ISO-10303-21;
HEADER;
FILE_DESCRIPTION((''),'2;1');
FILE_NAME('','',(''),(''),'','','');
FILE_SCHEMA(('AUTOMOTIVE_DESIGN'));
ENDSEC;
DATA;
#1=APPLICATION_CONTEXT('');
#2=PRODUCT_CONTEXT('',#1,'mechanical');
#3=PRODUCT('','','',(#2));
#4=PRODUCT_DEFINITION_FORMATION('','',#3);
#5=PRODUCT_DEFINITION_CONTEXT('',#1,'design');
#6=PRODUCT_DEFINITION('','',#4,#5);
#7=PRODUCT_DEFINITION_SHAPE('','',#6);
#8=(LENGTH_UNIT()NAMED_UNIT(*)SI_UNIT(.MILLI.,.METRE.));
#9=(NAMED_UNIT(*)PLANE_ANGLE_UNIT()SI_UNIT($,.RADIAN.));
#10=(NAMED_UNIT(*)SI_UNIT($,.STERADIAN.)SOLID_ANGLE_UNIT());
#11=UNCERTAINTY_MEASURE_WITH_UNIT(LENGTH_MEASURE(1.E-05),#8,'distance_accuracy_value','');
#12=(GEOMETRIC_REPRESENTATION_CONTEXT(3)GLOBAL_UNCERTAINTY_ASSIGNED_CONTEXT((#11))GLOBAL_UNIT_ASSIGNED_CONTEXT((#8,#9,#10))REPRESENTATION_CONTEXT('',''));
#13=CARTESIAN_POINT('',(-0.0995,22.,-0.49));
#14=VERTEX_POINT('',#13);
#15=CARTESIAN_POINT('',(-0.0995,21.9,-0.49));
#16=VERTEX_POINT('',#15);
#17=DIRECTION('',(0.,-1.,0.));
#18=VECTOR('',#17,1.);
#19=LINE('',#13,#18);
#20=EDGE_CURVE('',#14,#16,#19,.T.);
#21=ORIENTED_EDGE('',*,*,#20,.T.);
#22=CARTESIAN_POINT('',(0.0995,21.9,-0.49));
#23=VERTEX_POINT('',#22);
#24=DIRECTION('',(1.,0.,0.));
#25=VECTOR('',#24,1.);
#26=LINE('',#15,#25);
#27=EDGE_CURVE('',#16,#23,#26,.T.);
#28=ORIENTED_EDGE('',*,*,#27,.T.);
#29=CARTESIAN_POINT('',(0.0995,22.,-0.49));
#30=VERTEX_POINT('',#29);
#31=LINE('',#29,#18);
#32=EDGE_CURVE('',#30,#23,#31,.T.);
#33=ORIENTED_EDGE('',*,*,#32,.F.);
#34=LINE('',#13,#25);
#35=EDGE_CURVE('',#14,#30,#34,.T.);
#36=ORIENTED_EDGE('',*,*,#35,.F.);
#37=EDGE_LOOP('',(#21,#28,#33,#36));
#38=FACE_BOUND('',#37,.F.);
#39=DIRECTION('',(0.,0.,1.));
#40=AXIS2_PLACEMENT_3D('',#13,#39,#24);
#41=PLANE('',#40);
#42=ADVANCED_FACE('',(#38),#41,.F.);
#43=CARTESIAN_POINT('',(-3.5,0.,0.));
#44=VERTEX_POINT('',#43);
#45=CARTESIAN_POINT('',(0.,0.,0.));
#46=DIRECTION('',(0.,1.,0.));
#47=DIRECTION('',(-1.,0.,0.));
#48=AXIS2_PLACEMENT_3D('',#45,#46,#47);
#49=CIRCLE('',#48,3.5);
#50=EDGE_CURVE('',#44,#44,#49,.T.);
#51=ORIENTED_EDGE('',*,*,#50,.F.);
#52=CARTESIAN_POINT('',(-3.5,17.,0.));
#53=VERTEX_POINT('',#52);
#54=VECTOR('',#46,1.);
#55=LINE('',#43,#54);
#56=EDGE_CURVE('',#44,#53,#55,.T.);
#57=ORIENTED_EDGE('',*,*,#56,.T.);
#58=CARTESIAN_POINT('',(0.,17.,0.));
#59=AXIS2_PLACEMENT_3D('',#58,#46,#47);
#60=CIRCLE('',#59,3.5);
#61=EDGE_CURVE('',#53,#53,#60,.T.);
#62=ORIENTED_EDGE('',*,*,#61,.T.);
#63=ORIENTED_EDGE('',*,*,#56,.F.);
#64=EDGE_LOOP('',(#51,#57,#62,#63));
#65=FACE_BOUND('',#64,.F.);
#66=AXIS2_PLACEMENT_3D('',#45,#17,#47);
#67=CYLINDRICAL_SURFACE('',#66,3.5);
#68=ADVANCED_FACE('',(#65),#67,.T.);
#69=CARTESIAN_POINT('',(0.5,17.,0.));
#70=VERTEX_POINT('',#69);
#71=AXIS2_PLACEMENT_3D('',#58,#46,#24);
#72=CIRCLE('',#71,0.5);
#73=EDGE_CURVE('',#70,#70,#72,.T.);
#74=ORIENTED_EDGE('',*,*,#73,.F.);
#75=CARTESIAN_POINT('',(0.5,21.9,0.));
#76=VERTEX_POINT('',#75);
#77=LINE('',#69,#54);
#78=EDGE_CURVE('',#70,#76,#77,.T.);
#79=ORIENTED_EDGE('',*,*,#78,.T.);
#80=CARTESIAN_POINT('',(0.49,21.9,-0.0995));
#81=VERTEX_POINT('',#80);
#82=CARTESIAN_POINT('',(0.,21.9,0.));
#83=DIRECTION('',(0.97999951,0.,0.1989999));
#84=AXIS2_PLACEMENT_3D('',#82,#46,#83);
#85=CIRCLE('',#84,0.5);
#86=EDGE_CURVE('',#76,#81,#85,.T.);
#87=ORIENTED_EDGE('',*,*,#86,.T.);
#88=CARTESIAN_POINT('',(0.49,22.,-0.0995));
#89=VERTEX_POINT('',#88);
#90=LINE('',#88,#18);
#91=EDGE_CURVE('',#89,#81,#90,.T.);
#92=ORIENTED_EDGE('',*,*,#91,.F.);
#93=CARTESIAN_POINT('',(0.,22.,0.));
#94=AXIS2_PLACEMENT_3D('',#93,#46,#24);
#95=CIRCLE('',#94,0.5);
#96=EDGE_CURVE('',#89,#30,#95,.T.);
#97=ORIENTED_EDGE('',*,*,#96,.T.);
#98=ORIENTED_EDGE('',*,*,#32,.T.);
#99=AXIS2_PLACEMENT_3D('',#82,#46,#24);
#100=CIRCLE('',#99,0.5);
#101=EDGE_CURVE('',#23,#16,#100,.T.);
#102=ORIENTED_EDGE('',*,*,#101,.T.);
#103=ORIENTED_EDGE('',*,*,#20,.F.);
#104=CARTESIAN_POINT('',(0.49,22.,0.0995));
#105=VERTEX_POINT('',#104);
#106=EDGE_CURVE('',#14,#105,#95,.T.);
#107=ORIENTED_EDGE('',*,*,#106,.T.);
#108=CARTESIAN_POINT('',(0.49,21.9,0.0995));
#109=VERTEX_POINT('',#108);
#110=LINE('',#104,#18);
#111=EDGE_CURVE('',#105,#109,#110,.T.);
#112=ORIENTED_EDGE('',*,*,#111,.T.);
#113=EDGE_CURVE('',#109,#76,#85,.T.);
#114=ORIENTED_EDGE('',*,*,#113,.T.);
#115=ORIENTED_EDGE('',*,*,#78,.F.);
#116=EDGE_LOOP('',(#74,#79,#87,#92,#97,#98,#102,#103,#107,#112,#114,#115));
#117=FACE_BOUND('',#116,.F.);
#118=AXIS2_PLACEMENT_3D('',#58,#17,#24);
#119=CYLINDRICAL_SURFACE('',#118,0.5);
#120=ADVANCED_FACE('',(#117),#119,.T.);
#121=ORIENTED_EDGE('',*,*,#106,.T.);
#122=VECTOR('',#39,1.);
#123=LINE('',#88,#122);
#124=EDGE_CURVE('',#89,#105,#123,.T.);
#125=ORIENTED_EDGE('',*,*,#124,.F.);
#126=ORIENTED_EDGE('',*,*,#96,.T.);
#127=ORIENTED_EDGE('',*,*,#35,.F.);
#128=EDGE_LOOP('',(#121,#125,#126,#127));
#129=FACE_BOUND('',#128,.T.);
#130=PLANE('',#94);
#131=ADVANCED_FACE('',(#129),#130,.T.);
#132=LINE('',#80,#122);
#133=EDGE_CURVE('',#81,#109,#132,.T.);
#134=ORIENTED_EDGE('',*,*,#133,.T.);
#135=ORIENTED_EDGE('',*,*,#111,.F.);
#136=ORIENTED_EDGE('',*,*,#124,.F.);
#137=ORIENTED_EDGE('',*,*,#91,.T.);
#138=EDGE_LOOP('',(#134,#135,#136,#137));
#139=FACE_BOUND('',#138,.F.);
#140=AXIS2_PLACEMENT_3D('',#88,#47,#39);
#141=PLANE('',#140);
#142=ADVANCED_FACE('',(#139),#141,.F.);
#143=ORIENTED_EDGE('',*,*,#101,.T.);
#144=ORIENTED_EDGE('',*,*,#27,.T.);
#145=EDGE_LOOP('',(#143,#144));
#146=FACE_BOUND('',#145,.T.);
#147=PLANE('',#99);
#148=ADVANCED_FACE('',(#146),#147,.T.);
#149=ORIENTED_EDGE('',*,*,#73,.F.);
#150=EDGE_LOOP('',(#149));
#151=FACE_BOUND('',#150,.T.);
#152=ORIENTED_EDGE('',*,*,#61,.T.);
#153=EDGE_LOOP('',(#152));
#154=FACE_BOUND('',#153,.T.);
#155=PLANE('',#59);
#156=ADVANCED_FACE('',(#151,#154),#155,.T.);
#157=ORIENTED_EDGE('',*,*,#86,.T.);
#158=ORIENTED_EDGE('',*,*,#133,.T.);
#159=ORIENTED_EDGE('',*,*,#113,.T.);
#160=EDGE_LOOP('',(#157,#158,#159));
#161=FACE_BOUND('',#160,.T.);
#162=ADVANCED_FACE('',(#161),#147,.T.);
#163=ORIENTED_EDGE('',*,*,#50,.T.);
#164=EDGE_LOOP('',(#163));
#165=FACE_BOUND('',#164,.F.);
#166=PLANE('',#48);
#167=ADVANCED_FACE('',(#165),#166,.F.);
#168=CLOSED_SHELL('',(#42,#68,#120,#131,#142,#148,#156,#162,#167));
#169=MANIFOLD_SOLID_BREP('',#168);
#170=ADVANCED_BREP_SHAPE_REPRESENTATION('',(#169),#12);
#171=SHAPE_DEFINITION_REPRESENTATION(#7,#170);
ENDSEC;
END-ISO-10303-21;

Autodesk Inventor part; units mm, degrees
ref_plane "YZ Plane" through (0, 0, 0) normal (1, 0, 0) x (0, 1, 0)
ref_plane "XZ Plane" through (0, 0, 0) normal (0, 1, 0) x (-1, 0, 0)
ref_plane "XY Plane" through (0, 0, 0) normal (0, 0, 1) x (1, 0, 0)
sketch "Sketch1" plane through (0, 0, 0) normal (0, 1, 0) x (-1, 0, 0)
  circle A0 centre (0, 0) radius 3.5
  dimension "d0" = 7
extrude "Extrusion1" add sketch "Sketch1" along normal blind 17
sketch "Sketch2" plane through (0, 17, 0) normal (0, 1, 0) x (1, 0, 0)
  circle A0 centre (0, 0) radius 0.5
  dimension "d3" = 1
extrude "Extrusion2" add sketch "Sketch2" along normal blind 5
sketch "Sketch3" plane through (0, 22, 0) normal (0, 1, 0) x (1, 0, 0)
  circle A0 centre (0, 0) radius 0.5 projected
  line L0 (-0.0995, 0.49) -> (0.0995, 0.49)
  circle A1 centre (0, 0) radius 0.5 projected
  line L1 (0.4999, 0.0075) -> (0.4999, 0.0075)
  line L2 (0.49, 0.0995) -> (0.49, -0.0995)
  dimension "d8" = 0.49
  dimension "d9" = 0.49
extrude "Extrusion3" cut sketch "Sketch3" against normal blind 0.1 contours A0 L2 | L0 A0
properties part number "motor" material "Steel"
